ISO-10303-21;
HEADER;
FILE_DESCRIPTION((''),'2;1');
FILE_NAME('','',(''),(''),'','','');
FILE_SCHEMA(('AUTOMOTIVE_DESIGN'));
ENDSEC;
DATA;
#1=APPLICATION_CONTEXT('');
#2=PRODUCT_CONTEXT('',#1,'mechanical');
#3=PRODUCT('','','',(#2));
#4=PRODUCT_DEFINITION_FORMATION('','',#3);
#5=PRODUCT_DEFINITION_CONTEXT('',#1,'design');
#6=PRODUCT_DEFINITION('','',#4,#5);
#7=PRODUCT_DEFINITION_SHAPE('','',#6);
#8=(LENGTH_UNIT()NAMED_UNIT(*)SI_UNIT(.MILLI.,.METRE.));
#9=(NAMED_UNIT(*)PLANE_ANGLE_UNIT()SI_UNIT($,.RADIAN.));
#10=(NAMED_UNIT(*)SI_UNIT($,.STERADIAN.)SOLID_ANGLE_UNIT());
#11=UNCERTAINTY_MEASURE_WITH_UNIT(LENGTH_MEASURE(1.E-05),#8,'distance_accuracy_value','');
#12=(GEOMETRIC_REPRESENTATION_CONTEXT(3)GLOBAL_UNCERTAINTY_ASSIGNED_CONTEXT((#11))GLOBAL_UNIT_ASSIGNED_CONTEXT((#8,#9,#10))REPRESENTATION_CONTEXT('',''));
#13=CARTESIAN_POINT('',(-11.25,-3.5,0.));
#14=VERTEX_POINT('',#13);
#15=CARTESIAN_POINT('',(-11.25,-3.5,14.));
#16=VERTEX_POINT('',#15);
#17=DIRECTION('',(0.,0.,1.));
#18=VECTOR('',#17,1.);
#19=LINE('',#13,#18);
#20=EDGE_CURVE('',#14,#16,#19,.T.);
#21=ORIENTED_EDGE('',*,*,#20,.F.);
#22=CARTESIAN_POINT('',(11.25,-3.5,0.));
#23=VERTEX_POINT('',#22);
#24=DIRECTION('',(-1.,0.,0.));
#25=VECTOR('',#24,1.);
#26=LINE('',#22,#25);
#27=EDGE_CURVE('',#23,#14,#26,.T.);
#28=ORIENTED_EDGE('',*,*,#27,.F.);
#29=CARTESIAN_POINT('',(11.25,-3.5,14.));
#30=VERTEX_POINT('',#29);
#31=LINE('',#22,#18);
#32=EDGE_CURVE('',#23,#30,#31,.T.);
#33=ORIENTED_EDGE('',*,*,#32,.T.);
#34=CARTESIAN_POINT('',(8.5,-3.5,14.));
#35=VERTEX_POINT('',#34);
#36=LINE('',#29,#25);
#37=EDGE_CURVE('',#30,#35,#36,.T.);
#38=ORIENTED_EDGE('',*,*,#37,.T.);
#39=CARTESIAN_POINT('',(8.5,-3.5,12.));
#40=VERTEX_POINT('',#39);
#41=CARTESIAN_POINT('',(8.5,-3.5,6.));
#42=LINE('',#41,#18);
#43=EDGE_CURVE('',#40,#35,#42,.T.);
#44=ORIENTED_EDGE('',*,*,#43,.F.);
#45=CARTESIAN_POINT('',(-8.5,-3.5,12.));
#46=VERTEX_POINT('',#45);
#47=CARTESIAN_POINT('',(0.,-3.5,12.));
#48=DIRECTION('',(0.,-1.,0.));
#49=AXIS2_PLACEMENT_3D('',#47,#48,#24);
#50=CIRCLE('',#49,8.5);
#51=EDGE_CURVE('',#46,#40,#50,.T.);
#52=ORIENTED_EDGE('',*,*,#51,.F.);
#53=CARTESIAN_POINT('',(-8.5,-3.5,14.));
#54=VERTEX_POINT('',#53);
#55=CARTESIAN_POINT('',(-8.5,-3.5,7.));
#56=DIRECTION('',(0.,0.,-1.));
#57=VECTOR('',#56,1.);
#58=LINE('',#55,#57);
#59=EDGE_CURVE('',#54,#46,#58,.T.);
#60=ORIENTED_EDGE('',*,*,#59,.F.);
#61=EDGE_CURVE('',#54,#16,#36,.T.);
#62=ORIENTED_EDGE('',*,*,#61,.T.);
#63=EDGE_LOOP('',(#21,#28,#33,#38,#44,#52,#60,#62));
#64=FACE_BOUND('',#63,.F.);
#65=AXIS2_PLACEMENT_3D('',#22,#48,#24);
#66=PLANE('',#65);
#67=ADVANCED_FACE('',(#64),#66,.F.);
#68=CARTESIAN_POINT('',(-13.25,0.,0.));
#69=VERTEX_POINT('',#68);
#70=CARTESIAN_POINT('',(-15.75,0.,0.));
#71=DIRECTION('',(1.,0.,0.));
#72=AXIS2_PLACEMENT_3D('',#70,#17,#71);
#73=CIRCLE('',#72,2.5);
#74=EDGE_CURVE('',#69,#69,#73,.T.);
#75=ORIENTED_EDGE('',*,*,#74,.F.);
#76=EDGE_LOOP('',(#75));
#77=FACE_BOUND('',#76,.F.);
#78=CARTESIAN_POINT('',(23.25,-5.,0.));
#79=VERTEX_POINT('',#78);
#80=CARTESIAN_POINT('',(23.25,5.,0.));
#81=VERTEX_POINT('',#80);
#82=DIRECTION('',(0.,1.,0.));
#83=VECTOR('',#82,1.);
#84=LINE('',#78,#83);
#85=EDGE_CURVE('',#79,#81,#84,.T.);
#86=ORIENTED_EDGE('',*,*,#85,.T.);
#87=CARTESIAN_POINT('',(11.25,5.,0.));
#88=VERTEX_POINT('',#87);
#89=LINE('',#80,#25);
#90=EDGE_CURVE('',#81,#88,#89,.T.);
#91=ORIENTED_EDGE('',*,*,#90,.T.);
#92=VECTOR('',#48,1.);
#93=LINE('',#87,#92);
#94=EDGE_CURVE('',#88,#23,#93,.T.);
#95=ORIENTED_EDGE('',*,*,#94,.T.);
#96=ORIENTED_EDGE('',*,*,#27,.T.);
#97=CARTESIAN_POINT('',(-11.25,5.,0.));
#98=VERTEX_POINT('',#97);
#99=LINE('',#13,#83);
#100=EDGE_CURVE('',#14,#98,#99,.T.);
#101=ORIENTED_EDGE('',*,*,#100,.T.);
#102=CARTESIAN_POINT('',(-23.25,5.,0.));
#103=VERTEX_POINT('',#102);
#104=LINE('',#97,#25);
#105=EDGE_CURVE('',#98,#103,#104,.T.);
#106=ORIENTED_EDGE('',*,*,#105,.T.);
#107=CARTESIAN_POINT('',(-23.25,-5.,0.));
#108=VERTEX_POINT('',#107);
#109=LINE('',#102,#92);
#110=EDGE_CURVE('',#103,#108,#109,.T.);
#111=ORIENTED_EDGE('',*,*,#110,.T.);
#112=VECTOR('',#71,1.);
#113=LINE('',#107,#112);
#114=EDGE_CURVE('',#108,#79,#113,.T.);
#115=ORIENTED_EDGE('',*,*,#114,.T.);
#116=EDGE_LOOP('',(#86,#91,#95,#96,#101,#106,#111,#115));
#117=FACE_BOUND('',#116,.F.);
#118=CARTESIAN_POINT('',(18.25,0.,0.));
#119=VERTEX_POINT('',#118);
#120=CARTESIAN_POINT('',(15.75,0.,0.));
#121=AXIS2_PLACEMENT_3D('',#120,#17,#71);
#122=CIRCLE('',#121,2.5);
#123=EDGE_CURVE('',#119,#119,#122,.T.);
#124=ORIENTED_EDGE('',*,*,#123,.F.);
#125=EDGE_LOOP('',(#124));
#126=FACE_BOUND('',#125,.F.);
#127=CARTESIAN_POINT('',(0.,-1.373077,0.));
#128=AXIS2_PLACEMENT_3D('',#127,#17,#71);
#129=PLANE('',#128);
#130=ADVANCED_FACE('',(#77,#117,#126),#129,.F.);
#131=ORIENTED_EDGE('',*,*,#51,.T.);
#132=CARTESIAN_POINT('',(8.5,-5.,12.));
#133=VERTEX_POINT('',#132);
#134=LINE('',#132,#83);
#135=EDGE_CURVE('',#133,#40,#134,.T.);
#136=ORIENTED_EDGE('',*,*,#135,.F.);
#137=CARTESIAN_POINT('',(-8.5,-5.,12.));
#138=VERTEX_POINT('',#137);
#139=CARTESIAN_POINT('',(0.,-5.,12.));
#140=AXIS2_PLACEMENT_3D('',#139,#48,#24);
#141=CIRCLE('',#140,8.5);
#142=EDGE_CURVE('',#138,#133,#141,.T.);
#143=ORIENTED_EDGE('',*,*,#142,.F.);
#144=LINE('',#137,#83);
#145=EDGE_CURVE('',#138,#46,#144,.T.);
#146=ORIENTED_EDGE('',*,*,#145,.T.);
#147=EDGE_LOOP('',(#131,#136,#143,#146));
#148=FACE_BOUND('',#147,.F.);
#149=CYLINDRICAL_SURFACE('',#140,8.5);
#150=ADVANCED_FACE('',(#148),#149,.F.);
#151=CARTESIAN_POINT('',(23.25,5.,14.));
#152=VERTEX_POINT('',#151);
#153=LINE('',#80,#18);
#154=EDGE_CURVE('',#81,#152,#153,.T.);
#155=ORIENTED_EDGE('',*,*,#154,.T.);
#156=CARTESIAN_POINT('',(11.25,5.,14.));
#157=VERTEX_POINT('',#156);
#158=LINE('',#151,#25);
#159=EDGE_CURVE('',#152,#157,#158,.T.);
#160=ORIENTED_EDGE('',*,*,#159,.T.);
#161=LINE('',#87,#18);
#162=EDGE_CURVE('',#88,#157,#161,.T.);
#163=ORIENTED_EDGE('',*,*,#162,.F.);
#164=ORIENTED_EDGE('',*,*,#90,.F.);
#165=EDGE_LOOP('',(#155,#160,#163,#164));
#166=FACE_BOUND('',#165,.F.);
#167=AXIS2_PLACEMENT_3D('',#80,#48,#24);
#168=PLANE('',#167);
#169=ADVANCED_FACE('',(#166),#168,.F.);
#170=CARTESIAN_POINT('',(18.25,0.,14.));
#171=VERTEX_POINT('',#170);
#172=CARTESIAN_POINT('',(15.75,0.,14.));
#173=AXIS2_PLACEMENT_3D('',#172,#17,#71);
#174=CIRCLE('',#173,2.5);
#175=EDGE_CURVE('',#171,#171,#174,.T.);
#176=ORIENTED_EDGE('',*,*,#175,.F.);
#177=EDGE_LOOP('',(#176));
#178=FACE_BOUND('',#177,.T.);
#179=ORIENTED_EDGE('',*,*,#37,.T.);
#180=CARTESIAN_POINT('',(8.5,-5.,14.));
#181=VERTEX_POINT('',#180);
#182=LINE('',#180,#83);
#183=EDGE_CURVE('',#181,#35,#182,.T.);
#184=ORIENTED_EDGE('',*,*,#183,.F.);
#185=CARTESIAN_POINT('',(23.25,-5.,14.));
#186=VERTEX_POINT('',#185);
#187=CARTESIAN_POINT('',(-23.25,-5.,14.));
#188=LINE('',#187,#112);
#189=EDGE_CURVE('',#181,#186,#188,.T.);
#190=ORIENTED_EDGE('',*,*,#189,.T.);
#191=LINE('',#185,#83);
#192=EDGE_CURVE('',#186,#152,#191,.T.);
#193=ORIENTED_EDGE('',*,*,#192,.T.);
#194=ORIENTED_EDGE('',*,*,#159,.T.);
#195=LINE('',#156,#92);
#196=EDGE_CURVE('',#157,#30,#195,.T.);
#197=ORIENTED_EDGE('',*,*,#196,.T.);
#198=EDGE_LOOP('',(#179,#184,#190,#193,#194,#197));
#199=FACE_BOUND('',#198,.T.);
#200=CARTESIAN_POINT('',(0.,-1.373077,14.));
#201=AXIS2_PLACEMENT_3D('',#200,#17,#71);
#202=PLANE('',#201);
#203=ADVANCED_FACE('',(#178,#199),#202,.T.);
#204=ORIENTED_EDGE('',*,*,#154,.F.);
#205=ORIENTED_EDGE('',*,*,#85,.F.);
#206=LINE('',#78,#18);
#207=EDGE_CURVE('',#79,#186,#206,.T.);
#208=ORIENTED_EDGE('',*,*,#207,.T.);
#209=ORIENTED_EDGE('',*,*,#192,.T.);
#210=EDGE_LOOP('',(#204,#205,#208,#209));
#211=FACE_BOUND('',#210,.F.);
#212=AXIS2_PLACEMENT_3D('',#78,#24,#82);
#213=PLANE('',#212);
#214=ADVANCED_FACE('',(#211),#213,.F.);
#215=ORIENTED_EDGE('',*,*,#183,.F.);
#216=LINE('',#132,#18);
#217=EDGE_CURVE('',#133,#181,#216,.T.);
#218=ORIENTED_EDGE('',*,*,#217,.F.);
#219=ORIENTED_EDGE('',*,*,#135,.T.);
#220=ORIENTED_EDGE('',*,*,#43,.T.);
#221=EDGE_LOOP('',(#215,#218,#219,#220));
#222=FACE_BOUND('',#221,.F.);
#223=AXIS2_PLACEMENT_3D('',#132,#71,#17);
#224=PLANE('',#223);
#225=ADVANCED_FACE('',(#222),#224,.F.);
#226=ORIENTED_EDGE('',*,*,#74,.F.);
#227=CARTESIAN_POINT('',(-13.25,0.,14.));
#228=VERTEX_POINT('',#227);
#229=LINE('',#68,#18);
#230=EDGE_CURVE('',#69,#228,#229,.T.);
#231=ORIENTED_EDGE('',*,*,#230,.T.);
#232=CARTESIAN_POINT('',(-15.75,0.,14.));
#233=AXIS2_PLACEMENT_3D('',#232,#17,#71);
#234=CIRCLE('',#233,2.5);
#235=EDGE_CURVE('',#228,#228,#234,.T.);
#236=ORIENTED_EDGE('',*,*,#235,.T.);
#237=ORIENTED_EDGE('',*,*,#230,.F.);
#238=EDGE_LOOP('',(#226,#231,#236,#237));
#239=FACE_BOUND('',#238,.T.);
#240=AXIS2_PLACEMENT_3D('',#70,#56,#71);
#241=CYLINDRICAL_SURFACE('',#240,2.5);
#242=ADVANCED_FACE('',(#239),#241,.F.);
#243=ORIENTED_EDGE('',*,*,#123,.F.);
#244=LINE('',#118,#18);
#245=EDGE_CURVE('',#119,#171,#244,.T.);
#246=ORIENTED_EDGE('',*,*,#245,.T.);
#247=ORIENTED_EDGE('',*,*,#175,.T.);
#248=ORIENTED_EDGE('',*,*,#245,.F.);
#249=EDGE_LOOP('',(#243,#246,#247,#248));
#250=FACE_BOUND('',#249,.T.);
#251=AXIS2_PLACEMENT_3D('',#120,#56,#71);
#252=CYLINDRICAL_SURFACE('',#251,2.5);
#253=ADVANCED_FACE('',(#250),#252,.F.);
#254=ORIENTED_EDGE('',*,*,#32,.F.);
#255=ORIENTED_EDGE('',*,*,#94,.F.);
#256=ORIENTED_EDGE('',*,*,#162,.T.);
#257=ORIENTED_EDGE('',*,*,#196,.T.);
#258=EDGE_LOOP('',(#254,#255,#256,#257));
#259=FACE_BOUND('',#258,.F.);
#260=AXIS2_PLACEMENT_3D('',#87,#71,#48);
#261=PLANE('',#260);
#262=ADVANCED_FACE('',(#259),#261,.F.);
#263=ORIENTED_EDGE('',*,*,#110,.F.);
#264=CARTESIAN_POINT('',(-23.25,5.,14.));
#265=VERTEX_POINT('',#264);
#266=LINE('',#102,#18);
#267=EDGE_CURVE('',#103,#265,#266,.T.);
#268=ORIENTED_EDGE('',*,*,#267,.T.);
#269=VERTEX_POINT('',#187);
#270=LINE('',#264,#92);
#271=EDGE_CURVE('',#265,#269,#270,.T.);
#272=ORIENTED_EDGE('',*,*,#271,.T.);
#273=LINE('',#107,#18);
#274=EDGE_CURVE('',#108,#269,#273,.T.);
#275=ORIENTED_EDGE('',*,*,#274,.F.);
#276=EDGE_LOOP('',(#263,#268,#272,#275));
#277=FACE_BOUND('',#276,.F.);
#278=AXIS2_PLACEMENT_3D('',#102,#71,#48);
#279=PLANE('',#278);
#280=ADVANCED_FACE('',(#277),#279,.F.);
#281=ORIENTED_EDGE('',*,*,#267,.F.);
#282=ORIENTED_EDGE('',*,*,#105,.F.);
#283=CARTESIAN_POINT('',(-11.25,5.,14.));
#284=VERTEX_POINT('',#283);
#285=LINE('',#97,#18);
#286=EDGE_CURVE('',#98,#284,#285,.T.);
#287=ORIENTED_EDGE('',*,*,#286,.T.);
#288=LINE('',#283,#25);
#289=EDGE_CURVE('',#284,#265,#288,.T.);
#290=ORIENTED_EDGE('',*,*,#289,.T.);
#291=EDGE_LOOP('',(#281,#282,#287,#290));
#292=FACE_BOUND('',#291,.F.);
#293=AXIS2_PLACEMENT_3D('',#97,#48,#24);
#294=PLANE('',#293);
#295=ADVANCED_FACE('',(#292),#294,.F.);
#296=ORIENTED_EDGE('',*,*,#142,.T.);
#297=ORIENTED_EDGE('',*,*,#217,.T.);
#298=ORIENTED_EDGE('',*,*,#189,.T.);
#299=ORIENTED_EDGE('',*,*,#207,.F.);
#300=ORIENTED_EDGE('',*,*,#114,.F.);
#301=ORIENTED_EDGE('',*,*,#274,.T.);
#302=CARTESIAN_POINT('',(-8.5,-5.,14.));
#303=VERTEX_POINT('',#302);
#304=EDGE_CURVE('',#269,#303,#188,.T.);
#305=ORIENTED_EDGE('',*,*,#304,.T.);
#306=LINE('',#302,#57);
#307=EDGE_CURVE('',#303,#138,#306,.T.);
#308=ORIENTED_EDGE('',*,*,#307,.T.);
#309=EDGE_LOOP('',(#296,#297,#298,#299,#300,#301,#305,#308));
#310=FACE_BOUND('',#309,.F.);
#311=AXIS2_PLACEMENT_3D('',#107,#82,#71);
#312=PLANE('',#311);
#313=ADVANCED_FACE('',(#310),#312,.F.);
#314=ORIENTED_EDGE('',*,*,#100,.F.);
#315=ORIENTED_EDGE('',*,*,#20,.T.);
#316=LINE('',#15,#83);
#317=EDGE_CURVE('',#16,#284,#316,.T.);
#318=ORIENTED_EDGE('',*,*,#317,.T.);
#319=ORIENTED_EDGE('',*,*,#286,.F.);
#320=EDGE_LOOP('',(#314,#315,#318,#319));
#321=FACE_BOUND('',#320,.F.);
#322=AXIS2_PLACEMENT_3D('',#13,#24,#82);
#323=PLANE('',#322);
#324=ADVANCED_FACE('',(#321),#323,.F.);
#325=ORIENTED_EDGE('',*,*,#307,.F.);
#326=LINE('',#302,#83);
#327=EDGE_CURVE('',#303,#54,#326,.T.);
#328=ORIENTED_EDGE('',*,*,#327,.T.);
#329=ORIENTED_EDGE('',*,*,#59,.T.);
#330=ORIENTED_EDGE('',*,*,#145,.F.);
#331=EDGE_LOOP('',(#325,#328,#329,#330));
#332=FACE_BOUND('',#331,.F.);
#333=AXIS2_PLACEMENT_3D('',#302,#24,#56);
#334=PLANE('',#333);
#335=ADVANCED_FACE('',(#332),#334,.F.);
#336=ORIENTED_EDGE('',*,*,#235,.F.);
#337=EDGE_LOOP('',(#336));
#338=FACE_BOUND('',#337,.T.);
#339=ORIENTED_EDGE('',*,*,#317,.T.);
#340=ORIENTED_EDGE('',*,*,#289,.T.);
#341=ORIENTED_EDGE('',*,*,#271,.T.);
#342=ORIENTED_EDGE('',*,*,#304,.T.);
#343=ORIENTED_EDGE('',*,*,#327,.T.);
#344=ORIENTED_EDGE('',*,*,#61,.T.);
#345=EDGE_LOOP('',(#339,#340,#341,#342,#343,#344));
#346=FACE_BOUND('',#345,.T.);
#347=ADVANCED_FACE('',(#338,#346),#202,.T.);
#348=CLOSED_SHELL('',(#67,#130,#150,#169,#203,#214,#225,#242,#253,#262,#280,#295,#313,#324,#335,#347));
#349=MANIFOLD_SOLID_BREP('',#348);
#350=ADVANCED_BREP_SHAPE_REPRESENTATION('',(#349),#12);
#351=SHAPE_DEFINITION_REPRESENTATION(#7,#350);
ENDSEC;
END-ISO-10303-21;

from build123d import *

# Parameters (mm, degrees)
F0_R     = 2.5
F1_DEPTH = 14
F3_DEPTH = 25


with BuildPart() as f1:
    # F0 (on Top) → F1 (new body)
    with BuildSketch(Plane.XY):
        Polygon((-11.25, 5), (-23.25, 5), (-23.25, -5), (23.25, -5), (23.25, 5), (11.25, 5), (11.25, -3.5), (-11.25, -3.5), align=None)
        with Locations((-15.75, 0)):
            Circle(F0_R, mode=Mode.SUBTRACT)
        with Locations((15.75, 0)):
            Circle(F0_R, mode=Mode.SUBTRACT)
    extrude(amount=F1_DEPTH)

    # F2 (on face) → F3 (cut)
    with BuildSketch(Plane.XZ.offset(5)):
        with BuildLine():
            Line((-8.5, 14), (-8.5, 12))
            ThreePointArc((-8.5, 12), (0, 3.5), (8.5, 12))
            Line((8.5, 12), (8.5, 14))
            Line((8.5, 14), (-8.5, 14))
        make_face()
    extrude(amount=-F3_DEPTH, mode=Mode.SUBTRACT)


solid = f1.part
